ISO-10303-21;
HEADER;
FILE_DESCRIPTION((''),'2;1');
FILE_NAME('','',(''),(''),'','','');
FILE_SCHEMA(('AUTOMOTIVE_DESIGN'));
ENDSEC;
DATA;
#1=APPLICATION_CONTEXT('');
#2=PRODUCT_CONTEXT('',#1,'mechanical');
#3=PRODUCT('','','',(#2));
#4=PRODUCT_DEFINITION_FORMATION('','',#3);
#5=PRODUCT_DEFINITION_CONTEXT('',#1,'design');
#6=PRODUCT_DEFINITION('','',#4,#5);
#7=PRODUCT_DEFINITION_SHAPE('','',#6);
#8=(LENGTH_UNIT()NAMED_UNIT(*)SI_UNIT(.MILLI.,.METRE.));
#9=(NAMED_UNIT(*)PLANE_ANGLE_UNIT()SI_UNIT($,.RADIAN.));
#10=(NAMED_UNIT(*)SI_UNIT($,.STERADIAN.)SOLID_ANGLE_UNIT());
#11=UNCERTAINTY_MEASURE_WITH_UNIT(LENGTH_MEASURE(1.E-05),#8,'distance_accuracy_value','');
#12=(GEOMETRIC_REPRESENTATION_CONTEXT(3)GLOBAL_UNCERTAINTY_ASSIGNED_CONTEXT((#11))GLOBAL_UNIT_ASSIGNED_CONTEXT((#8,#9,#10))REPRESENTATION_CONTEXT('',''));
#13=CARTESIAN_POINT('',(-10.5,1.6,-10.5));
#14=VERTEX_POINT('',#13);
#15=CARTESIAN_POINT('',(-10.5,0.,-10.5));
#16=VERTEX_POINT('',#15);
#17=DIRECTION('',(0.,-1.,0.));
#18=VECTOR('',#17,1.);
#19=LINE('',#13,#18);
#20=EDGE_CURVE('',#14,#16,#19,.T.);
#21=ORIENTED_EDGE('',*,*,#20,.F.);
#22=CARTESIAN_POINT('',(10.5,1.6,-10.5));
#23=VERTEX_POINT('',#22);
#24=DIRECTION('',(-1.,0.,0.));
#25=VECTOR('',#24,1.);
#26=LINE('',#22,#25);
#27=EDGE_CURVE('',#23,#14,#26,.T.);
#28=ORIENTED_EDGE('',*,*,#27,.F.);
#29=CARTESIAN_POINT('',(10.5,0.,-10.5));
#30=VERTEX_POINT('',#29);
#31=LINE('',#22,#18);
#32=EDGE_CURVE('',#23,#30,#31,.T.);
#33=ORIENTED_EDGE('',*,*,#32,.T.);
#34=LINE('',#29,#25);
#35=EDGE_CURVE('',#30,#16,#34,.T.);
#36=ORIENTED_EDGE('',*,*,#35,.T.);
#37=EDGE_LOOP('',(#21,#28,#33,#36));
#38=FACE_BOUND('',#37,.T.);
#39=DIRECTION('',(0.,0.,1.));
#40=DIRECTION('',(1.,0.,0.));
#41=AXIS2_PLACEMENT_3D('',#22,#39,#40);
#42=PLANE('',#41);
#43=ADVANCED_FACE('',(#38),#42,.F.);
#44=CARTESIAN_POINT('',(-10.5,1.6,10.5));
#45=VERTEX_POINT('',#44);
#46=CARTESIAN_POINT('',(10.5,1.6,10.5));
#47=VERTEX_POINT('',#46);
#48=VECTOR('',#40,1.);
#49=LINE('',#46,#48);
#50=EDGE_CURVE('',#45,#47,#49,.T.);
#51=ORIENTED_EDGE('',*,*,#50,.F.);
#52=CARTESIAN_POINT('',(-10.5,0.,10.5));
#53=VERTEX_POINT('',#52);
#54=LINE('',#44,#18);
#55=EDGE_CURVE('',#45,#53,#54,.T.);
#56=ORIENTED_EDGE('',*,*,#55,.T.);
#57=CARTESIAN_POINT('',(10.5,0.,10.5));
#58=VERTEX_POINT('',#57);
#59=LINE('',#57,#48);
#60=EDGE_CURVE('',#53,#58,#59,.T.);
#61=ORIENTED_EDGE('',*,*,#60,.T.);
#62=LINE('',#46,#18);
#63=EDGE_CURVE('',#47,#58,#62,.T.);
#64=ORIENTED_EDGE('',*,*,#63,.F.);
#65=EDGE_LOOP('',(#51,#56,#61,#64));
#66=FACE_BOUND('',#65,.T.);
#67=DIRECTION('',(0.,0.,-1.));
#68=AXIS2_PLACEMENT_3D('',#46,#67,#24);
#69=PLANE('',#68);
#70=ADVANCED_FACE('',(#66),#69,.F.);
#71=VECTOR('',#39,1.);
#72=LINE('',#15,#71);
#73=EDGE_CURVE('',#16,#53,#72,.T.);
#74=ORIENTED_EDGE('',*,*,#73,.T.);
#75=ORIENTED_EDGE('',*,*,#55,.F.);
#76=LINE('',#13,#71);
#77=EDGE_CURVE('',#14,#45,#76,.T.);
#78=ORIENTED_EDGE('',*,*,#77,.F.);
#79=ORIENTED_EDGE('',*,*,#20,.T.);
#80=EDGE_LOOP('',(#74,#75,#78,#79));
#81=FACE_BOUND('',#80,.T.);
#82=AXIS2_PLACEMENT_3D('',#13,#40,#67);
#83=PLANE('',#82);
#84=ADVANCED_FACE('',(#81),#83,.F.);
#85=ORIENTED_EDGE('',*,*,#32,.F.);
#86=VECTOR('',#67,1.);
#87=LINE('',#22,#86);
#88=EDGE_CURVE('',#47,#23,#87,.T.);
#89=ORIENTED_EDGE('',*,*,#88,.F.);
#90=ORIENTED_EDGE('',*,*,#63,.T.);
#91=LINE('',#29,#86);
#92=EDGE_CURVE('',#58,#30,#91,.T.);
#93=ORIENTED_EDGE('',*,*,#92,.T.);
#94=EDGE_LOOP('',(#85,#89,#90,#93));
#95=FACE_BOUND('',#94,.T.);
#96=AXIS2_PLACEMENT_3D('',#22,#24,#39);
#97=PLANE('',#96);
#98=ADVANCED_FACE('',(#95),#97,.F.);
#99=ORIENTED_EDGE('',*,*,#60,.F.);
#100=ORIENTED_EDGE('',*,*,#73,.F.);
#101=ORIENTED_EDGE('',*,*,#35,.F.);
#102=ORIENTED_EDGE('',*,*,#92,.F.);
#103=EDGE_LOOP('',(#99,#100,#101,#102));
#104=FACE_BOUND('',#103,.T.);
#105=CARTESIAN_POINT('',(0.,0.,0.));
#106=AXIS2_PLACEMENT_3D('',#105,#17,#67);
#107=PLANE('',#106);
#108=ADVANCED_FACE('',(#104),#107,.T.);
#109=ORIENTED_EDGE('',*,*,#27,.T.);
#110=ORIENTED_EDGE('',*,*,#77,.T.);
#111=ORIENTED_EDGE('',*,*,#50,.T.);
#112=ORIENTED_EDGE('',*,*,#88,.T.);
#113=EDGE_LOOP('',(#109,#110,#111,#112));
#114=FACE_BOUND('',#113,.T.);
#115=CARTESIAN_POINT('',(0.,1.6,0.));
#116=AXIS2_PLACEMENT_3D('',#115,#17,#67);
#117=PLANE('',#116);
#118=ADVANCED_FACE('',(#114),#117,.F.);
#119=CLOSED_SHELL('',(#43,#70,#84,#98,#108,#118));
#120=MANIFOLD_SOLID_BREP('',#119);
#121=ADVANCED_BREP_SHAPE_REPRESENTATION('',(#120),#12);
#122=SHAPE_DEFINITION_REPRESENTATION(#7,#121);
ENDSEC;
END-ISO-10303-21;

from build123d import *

# Parameters (mm, degrees)
ESQUISSE1_W        = 21
ESQUISSE1_H        = 21
BOSS_EXTRU_1_DEPTH = 1.6


with BuildPart() as part:
    # Esquisse1 → Boss.-Extru.1 (new body)
    with BuildSketch(Plane(origin=(0, 0, 0), x_dir=(1, 0, 0), z_dir=(0, 1, 0))):
        Rectangle(ESQUISSE1_W, ESQUISSE1_H)
    extrude(amount=BOSS_EXTRU_1_DEPTH)


solid = part.part
